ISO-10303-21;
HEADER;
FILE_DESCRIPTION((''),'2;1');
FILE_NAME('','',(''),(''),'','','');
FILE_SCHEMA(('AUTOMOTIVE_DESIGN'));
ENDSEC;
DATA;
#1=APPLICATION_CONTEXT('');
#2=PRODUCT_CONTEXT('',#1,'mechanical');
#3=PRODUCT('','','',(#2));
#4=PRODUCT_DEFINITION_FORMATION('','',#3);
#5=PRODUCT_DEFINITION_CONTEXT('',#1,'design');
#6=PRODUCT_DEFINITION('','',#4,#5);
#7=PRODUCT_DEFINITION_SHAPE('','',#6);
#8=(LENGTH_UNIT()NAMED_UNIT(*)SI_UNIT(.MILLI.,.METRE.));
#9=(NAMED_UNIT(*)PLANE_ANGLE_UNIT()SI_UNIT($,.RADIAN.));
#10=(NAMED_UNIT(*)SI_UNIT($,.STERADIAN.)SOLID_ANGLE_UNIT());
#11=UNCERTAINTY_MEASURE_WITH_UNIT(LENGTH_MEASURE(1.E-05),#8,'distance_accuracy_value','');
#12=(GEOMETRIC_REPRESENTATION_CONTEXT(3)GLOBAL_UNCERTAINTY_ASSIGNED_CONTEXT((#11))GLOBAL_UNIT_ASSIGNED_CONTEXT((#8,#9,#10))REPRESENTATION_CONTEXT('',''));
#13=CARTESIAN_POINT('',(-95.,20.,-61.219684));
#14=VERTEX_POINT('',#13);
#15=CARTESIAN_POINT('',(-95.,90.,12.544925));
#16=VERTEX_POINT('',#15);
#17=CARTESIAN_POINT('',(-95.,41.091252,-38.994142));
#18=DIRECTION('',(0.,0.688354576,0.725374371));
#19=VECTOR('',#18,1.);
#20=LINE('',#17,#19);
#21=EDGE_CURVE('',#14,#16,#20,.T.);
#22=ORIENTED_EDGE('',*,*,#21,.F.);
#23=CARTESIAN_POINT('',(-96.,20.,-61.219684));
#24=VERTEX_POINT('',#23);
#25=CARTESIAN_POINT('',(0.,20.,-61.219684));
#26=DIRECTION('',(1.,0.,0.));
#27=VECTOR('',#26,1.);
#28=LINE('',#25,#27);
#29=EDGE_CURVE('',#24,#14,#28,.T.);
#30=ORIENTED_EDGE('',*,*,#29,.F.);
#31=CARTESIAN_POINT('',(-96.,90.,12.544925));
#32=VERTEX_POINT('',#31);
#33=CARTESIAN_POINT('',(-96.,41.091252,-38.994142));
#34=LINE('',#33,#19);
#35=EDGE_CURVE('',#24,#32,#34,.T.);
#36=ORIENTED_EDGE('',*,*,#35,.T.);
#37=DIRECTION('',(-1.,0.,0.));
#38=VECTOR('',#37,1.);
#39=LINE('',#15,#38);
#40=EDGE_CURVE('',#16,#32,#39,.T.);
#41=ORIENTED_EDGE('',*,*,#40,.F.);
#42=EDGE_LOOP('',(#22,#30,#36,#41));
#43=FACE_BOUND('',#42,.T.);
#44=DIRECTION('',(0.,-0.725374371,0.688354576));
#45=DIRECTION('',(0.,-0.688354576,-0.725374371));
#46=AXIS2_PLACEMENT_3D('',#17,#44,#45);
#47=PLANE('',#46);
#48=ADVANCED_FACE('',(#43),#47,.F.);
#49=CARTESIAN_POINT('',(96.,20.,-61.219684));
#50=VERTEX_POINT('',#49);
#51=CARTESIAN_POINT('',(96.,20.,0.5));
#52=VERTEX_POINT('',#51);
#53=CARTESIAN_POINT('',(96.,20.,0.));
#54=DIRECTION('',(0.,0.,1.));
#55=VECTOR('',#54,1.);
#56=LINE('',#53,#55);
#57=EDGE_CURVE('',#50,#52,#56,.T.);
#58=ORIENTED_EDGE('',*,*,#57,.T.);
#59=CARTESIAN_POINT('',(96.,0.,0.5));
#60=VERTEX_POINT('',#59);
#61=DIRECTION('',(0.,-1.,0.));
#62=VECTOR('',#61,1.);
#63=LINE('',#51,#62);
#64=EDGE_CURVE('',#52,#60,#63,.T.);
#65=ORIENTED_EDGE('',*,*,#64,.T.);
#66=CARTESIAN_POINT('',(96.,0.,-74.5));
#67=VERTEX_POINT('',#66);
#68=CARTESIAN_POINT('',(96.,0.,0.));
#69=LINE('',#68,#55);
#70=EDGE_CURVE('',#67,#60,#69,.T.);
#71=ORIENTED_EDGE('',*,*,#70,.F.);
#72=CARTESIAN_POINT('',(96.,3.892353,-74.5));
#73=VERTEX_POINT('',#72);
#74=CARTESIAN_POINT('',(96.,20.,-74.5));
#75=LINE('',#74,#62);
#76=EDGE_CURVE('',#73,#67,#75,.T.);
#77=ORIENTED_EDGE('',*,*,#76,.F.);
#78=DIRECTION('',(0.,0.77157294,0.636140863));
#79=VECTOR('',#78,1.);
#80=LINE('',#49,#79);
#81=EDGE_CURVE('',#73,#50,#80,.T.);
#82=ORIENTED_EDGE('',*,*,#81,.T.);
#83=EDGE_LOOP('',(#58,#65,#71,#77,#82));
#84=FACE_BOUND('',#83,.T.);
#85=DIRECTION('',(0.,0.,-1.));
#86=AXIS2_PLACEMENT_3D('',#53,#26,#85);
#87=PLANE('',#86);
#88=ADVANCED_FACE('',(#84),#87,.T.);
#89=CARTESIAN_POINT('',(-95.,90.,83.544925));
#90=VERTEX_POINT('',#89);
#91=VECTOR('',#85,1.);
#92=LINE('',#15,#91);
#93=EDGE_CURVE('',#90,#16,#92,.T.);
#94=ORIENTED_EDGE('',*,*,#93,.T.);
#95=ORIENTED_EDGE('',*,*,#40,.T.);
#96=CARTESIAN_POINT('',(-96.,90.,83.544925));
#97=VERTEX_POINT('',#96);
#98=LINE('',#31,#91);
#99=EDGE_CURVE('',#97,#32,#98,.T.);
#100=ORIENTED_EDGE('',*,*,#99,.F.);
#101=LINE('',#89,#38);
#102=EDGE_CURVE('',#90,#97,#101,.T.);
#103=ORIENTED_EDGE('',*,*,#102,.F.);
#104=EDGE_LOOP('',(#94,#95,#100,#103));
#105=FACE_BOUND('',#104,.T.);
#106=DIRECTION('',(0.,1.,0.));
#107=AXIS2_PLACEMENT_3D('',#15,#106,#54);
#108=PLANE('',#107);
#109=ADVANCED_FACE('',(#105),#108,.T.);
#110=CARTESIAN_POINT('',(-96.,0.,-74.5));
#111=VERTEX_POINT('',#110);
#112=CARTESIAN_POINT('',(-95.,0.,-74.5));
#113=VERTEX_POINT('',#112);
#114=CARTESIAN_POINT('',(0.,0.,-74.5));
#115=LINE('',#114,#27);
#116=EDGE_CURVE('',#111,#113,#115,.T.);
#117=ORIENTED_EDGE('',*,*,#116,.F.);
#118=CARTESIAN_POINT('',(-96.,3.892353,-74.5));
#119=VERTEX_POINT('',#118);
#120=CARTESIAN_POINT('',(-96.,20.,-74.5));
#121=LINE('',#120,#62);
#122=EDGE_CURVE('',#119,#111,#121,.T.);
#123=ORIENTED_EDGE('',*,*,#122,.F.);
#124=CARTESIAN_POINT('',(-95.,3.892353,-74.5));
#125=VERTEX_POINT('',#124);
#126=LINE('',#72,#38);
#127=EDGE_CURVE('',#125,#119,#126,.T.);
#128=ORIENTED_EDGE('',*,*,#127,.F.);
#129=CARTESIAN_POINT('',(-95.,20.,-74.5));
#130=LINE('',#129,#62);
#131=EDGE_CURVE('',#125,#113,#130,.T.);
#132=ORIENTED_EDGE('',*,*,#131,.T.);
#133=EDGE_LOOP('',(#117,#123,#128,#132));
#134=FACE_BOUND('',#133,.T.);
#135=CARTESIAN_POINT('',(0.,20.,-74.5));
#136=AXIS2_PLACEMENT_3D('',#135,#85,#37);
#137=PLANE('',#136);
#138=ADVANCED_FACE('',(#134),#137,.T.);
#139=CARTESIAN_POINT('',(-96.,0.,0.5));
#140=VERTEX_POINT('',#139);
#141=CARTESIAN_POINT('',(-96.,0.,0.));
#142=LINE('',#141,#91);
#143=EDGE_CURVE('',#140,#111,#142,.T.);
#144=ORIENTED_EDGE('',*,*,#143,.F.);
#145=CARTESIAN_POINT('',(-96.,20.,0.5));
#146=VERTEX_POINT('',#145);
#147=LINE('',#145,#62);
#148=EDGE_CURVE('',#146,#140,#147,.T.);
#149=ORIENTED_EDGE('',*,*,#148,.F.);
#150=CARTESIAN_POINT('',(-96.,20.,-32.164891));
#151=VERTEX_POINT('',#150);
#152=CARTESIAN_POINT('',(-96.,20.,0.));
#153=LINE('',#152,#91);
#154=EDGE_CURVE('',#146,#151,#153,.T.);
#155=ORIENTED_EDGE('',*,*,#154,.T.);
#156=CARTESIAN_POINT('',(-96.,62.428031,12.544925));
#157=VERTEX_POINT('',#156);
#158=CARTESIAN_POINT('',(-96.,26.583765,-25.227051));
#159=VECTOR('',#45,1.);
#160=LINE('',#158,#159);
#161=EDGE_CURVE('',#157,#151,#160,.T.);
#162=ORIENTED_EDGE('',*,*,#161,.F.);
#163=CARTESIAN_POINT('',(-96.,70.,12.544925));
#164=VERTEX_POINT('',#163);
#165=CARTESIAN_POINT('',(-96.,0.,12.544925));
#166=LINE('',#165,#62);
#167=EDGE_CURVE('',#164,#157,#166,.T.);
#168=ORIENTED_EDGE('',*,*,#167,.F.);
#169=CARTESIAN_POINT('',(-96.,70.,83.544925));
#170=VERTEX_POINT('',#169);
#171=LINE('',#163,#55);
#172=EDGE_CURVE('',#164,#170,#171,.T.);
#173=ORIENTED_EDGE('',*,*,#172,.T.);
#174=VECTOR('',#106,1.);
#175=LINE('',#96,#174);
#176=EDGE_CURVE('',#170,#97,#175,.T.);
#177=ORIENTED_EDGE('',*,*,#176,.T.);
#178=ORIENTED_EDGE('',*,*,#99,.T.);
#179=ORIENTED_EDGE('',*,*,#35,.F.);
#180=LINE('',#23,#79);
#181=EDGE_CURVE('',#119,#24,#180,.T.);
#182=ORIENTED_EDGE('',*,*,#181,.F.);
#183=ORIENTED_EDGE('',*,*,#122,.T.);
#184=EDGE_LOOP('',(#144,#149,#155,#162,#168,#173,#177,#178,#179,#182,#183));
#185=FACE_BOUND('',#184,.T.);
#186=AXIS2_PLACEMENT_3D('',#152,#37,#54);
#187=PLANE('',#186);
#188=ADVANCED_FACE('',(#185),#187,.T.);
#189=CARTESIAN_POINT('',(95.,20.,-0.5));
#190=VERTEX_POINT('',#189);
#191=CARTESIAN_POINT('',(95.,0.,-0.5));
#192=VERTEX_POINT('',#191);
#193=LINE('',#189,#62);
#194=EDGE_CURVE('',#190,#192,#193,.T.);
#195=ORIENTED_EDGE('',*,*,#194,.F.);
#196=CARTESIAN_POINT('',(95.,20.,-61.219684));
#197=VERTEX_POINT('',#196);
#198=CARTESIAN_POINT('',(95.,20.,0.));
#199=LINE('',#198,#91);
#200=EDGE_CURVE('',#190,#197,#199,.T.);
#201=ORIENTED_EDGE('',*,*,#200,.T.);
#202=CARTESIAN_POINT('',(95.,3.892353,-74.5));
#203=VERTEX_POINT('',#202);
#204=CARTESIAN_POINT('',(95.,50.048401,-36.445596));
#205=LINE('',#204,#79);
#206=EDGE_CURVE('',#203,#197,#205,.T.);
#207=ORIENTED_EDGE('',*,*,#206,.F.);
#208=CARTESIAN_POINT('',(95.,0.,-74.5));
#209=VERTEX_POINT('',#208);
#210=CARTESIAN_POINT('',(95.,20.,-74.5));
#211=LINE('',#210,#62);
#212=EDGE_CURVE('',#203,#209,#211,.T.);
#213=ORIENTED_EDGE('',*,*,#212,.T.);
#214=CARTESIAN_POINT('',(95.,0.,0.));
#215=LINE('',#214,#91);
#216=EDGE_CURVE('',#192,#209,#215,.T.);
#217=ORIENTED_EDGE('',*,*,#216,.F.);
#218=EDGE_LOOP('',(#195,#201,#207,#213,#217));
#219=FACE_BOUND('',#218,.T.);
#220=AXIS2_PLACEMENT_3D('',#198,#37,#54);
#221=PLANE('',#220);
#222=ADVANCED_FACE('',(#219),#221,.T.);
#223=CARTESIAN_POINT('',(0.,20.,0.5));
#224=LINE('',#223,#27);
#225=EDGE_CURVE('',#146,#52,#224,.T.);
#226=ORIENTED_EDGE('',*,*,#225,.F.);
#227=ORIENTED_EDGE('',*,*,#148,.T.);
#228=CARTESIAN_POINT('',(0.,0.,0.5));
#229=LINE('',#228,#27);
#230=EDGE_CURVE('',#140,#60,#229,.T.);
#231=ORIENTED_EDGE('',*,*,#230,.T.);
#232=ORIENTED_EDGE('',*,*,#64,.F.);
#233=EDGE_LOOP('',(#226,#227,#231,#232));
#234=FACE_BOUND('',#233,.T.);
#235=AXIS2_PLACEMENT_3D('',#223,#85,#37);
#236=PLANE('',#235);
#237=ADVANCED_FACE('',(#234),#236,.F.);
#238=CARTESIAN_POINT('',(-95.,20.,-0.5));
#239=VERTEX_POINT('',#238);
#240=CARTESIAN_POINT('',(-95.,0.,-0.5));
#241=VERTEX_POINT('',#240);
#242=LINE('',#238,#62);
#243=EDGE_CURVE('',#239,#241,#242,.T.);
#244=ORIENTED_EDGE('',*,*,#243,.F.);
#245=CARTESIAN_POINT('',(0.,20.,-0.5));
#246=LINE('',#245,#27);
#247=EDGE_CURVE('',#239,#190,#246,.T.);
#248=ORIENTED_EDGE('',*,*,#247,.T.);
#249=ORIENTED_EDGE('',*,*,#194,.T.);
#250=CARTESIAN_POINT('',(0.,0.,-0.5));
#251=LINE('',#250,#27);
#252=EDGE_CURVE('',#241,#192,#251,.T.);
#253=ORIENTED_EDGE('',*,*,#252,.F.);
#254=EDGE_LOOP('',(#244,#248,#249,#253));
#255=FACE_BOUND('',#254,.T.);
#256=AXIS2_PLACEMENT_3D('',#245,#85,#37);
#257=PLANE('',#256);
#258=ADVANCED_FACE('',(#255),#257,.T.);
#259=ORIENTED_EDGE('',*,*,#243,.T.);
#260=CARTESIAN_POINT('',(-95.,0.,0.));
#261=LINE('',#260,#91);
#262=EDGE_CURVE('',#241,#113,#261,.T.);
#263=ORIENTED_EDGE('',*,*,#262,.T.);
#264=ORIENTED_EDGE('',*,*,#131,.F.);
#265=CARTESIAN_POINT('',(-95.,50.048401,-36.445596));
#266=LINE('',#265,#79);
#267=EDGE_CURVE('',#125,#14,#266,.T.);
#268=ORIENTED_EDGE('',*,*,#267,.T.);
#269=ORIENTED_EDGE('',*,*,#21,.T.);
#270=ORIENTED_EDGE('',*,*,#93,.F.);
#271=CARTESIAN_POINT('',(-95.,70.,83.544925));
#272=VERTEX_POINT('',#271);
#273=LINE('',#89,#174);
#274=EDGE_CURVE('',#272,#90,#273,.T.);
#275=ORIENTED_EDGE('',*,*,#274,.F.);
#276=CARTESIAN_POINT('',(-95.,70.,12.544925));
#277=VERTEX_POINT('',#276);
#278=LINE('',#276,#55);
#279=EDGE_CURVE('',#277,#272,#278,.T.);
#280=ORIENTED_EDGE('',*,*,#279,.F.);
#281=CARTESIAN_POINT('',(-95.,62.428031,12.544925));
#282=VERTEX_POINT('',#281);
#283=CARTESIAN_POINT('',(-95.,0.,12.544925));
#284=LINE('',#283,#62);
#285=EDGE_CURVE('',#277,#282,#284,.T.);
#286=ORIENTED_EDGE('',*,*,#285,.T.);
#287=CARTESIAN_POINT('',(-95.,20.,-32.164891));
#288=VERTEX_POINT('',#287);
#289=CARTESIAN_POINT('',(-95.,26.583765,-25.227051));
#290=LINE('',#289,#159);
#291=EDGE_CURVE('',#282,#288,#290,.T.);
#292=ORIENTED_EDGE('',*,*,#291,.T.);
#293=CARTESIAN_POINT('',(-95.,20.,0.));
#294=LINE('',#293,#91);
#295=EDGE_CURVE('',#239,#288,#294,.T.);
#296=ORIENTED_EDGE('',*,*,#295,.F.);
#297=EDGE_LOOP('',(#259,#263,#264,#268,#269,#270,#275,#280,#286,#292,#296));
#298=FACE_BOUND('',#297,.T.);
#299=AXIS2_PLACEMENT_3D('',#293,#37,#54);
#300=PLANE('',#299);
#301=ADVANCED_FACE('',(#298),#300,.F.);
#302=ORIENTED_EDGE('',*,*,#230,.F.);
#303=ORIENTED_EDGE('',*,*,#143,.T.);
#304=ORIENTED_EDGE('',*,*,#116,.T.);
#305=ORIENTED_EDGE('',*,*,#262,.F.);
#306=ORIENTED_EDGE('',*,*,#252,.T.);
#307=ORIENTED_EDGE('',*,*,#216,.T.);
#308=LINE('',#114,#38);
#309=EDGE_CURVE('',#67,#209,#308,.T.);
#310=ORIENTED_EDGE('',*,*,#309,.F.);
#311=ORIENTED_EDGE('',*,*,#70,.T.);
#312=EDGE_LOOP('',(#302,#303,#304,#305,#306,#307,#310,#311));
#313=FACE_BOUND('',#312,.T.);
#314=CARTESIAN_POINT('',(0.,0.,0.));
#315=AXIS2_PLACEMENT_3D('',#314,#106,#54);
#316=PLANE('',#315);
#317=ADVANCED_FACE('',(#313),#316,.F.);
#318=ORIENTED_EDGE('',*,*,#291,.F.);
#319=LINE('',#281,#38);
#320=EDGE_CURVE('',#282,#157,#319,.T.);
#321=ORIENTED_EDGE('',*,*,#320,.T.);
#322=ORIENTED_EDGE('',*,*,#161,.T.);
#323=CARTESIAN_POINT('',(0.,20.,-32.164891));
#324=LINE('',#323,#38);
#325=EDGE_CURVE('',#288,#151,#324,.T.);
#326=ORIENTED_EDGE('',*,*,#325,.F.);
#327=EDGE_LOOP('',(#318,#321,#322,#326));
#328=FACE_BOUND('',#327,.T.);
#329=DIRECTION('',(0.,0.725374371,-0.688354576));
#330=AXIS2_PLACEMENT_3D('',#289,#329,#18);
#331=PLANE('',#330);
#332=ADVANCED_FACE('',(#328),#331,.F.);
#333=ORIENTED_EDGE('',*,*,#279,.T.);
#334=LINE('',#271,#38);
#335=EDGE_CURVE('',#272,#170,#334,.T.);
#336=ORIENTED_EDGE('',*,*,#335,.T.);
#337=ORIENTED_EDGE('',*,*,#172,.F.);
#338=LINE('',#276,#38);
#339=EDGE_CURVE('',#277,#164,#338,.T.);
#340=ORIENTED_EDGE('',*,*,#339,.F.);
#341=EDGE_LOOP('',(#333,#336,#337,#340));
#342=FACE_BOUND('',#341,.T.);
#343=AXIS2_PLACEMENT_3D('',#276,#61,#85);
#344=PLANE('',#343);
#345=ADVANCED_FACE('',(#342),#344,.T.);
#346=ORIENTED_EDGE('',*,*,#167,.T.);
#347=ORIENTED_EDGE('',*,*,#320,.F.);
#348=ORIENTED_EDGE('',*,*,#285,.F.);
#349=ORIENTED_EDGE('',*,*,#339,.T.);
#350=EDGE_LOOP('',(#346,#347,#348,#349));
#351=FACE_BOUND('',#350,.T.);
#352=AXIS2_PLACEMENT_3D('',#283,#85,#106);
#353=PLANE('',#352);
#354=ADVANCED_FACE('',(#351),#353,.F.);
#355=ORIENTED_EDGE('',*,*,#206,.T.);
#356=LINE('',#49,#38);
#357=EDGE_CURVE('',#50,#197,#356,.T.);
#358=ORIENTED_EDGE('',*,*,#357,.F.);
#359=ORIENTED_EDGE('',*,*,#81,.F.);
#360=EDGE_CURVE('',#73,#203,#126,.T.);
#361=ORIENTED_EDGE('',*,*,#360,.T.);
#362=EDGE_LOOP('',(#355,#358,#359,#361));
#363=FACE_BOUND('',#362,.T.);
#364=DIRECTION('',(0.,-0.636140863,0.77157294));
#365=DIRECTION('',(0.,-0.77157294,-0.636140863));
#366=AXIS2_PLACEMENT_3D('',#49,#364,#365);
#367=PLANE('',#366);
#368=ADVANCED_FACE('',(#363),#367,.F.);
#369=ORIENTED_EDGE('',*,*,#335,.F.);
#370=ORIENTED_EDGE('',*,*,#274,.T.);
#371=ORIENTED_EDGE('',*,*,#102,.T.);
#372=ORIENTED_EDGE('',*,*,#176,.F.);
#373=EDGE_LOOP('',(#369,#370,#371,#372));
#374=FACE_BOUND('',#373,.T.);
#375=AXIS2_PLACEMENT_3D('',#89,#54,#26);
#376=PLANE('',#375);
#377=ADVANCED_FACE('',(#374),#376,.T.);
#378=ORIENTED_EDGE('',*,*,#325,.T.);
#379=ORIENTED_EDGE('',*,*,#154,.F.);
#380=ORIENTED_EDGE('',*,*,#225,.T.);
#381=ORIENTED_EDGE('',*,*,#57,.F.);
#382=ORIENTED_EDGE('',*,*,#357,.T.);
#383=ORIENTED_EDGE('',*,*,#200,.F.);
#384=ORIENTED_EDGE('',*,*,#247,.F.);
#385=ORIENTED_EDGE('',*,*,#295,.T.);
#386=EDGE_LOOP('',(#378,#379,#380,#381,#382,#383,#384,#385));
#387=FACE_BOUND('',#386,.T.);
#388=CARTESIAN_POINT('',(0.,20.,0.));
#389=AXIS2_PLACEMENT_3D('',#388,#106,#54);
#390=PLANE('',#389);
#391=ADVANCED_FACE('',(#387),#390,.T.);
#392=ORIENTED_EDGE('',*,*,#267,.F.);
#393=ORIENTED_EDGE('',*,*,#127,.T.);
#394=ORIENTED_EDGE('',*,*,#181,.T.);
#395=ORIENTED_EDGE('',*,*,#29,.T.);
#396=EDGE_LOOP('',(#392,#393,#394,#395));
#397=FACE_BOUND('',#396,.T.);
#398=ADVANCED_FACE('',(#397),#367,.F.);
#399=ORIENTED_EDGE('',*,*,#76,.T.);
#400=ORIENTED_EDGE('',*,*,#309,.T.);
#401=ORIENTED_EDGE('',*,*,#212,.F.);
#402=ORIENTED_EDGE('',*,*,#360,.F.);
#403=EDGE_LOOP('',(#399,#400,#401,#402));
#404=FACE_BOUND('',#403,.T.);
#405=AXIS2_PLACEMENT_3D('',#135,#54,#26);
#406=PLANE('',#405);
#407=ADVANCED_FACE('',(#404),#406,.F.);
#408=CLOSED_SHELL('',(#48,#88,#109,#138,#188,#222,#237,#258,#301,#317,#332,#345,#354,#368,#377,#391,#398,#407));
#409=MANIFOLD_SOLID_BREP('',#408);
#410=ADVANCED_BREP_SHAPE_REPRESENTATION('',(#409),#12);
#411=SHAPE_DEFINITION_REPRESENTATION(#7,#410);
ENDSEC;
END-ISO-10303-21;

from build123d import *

# Parameters (mm, degrees)
CROQUIS1_W              = 1
CROQUIS1_H              = 74
CROQUIS1_H_2            = 1
CROQUIS1_W_2            = 190
SALIENTE_EXTRUIR1_DEPTH = 20
SALIENTE_EXTRUIR2_DEPTH = 1
CORTAR_EXTRUIR1_DEPTH   = 225.75375414
CROQUIS4_W              = 71
CROQUIS4_H              = 20
SALIENTE_EXTRUIR3_DEPTH = 1


with BuildPart() as part:
    # Croquis1 → Saliente-Extruir1 (new body)
    with BuildSketch(Plane(origin=(0, 0, 0), x_dir=(1, 0, 0), z_dir=(0, 1, 0))):
        with Locations((-95.5, 37.5)):
            Rectangle(CROQUIS1_W, CROQUIS1_H)
        with Locations((-95.5, 0)):
            Rectangle(CROQUIS1_W, CROQUIS1_H_2)
        Rectangle(CROQUIS1_W_2, CROQUIS1_H_2)
        with Locations((95.5, 37.5)):
            Rectangle(CROQUIS1_W, CROQUIS1_H)
        with Locations((95.5, 0)):
            Rectangle(CROQUIS1_W, CROQUIS1_H_2)
    extrude(amount=SALIENTE_EXTRUIR1_DEPTH)

    # Croquis2 → Saliente-Extruir2 (add)
    with BuildSketch(Plane.ZY.offset(96)):
        Polygon((12.544924521, 90), (-61.219684248, 20), (-32.164890823, 20), (12.544924521, 62.428030546), align=None)
        Polygon((-61.219684248, 20), (-74.5, 7.397450917), (-67.480081196, 0), (-53.240493329, 0), (-32.164890823, 20), align=None)
    extrude(amount=-SALIENTE_EXTRUIR2_DEPTH)

    # Croquis3 → Cortar-Extruir1 (cut, through all)
    with BuildSketch(Plane.ZY.offset(96)):
        Polygon((-61.219684248, 20), (-74.5, 3.892353298), (-74.5, 20), align=None)
    extrude(amount=-CORTAR_EXTRUIR1_DEPTH, mode=Mode.SUBTRACT)

    # Croquis4 → Saliente-Extruir3 (add)
    with BuildSketch(Plane.ZY.offset(96)):
        with Locations((48.044924521, 80)):
            Rectangle(CROQUIS4_W, CROQUIS4_H)
    extrude(amount=-SALIENTE_EXTRUIR3_DEPTH)


solid = part.part
